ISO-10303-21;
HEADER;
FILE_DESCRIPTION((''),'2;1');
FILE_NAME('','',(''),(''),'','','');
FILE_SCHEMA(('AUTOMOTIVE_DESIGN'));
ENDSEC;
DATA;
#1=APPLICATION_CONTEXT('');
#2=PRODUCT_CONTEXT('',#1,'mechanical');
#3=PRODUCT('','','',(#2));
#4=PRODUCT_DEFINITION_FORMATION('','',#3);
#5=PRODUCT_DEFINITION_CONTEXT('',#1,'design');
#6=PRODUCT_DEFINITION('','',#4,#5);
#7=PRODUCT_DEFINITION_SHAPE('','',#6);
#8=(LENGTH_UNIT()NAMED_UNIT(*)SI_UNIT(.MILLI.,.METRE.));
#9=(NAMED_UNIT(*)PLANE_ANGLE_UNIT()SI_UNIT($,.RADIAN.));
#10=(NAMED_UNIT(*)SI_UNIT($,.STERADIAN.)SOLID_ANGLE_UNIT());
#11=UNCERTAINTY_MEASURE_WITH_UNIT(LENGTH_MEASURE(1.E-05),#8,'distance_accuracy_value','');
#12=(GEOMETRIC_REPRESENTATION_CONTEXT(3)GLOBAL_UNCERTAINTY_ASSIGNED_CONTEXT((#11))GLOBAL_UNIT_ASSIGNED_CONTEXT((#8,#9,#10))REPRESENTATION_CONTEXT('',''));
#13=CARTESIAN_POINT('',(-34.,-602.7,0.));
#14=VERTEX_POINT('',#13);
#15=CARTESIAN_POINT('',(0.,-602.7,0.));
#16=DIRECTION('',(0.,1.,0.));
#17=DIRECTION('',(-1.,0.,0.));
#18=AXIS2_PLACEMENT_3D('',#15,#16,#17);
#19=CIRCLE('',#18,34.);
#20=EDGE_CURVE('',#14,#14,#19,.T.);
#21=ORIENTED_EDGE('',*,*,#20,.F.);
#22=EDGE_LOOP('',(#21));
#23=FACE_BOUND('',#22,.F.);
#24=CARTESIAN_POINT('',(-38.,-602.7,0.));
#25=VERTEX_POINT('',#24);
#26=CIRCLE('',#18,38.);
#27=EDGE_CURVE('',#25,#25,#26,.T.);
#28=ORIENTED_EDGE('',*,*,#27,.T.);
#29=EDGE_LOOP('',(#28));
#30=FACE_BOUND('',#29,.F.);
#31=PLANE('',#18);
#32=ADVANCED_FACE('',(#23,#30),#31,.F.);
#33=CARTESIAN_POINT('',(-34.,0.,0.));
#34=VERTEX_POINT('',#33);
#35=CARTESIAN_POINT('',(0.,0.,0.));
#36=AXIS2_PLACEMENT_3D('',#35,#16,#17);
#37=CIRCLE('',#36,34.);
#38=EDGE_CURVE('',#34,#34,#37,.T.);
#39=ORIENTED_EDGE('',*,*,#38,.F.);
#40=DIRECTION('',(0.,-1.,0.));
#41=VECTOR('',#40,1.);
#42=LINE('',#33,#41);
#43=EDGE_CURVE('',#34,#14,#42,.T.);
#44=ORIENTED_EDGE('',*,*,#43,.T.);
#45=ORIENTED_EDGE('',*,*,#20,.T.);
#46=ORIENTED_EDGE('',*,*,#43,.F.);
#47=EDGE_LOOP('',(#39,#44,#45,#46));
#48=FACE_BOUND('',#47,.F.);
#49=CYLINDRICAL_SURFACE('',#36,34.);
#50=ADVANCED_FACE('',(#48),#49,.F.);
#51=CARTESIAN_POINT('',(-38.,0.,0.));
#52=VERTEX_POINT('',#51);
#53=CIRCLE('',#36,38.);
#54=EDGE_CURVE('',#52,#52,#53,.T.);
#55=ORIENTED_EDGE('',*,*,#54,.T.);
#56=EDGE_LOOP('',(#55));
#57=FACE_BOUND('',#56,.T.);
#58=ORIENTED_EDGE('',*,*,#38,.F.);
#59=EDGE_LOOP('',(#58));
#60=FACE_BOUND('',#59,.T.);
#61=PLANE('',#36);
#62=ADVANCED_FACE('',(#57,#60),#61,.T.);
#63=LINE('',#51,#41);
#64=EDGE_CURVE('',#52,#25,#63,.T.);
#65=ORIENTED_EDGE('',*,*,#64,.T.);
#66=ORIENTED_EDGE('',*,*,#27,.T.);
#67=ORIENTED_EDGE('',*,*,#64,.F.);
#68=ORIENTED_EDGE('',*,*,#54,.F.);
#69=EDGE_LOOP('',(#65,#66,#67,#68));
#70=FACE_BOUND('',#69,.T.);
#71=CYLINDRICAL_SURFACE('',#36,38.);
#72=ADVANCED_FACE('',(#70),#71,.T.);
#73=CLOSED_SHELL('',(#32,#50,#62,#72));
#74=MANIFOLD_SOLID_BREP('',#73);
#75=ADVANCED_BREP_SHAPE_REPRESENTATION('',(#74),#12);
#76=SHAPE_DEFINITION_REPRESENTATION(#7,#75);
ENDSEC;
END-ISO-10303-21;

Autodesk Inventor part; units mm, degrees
ref_plane "YZ Plane" through (0, 0, 0) normal (1, 0, 0) x (0, 1, 0)
ref_plane "XZ Plane" through (0, 0, 0) normal (0, 1, 0) x (-1, 0, 0)
ref_plane "XY Plane" through (0, 0, 0) normal (0, 0, 1) x (1, 0, 0)
sketch "Sketch1" plane through (0, 0, 0) normal (0, 1, 0) x (-1, 0, 0)
  circle A0 centre (0, 0) radius 38
  circle A1 centre (0, 0) radius 34
  dimension "d0" = 76
  dimension "d1" = 4
extrude "Extrusion1" add sketch "Sketch1" against normal blind 602.7
properties part number "TZS 1241 FDS tube 1" material "Steel"
